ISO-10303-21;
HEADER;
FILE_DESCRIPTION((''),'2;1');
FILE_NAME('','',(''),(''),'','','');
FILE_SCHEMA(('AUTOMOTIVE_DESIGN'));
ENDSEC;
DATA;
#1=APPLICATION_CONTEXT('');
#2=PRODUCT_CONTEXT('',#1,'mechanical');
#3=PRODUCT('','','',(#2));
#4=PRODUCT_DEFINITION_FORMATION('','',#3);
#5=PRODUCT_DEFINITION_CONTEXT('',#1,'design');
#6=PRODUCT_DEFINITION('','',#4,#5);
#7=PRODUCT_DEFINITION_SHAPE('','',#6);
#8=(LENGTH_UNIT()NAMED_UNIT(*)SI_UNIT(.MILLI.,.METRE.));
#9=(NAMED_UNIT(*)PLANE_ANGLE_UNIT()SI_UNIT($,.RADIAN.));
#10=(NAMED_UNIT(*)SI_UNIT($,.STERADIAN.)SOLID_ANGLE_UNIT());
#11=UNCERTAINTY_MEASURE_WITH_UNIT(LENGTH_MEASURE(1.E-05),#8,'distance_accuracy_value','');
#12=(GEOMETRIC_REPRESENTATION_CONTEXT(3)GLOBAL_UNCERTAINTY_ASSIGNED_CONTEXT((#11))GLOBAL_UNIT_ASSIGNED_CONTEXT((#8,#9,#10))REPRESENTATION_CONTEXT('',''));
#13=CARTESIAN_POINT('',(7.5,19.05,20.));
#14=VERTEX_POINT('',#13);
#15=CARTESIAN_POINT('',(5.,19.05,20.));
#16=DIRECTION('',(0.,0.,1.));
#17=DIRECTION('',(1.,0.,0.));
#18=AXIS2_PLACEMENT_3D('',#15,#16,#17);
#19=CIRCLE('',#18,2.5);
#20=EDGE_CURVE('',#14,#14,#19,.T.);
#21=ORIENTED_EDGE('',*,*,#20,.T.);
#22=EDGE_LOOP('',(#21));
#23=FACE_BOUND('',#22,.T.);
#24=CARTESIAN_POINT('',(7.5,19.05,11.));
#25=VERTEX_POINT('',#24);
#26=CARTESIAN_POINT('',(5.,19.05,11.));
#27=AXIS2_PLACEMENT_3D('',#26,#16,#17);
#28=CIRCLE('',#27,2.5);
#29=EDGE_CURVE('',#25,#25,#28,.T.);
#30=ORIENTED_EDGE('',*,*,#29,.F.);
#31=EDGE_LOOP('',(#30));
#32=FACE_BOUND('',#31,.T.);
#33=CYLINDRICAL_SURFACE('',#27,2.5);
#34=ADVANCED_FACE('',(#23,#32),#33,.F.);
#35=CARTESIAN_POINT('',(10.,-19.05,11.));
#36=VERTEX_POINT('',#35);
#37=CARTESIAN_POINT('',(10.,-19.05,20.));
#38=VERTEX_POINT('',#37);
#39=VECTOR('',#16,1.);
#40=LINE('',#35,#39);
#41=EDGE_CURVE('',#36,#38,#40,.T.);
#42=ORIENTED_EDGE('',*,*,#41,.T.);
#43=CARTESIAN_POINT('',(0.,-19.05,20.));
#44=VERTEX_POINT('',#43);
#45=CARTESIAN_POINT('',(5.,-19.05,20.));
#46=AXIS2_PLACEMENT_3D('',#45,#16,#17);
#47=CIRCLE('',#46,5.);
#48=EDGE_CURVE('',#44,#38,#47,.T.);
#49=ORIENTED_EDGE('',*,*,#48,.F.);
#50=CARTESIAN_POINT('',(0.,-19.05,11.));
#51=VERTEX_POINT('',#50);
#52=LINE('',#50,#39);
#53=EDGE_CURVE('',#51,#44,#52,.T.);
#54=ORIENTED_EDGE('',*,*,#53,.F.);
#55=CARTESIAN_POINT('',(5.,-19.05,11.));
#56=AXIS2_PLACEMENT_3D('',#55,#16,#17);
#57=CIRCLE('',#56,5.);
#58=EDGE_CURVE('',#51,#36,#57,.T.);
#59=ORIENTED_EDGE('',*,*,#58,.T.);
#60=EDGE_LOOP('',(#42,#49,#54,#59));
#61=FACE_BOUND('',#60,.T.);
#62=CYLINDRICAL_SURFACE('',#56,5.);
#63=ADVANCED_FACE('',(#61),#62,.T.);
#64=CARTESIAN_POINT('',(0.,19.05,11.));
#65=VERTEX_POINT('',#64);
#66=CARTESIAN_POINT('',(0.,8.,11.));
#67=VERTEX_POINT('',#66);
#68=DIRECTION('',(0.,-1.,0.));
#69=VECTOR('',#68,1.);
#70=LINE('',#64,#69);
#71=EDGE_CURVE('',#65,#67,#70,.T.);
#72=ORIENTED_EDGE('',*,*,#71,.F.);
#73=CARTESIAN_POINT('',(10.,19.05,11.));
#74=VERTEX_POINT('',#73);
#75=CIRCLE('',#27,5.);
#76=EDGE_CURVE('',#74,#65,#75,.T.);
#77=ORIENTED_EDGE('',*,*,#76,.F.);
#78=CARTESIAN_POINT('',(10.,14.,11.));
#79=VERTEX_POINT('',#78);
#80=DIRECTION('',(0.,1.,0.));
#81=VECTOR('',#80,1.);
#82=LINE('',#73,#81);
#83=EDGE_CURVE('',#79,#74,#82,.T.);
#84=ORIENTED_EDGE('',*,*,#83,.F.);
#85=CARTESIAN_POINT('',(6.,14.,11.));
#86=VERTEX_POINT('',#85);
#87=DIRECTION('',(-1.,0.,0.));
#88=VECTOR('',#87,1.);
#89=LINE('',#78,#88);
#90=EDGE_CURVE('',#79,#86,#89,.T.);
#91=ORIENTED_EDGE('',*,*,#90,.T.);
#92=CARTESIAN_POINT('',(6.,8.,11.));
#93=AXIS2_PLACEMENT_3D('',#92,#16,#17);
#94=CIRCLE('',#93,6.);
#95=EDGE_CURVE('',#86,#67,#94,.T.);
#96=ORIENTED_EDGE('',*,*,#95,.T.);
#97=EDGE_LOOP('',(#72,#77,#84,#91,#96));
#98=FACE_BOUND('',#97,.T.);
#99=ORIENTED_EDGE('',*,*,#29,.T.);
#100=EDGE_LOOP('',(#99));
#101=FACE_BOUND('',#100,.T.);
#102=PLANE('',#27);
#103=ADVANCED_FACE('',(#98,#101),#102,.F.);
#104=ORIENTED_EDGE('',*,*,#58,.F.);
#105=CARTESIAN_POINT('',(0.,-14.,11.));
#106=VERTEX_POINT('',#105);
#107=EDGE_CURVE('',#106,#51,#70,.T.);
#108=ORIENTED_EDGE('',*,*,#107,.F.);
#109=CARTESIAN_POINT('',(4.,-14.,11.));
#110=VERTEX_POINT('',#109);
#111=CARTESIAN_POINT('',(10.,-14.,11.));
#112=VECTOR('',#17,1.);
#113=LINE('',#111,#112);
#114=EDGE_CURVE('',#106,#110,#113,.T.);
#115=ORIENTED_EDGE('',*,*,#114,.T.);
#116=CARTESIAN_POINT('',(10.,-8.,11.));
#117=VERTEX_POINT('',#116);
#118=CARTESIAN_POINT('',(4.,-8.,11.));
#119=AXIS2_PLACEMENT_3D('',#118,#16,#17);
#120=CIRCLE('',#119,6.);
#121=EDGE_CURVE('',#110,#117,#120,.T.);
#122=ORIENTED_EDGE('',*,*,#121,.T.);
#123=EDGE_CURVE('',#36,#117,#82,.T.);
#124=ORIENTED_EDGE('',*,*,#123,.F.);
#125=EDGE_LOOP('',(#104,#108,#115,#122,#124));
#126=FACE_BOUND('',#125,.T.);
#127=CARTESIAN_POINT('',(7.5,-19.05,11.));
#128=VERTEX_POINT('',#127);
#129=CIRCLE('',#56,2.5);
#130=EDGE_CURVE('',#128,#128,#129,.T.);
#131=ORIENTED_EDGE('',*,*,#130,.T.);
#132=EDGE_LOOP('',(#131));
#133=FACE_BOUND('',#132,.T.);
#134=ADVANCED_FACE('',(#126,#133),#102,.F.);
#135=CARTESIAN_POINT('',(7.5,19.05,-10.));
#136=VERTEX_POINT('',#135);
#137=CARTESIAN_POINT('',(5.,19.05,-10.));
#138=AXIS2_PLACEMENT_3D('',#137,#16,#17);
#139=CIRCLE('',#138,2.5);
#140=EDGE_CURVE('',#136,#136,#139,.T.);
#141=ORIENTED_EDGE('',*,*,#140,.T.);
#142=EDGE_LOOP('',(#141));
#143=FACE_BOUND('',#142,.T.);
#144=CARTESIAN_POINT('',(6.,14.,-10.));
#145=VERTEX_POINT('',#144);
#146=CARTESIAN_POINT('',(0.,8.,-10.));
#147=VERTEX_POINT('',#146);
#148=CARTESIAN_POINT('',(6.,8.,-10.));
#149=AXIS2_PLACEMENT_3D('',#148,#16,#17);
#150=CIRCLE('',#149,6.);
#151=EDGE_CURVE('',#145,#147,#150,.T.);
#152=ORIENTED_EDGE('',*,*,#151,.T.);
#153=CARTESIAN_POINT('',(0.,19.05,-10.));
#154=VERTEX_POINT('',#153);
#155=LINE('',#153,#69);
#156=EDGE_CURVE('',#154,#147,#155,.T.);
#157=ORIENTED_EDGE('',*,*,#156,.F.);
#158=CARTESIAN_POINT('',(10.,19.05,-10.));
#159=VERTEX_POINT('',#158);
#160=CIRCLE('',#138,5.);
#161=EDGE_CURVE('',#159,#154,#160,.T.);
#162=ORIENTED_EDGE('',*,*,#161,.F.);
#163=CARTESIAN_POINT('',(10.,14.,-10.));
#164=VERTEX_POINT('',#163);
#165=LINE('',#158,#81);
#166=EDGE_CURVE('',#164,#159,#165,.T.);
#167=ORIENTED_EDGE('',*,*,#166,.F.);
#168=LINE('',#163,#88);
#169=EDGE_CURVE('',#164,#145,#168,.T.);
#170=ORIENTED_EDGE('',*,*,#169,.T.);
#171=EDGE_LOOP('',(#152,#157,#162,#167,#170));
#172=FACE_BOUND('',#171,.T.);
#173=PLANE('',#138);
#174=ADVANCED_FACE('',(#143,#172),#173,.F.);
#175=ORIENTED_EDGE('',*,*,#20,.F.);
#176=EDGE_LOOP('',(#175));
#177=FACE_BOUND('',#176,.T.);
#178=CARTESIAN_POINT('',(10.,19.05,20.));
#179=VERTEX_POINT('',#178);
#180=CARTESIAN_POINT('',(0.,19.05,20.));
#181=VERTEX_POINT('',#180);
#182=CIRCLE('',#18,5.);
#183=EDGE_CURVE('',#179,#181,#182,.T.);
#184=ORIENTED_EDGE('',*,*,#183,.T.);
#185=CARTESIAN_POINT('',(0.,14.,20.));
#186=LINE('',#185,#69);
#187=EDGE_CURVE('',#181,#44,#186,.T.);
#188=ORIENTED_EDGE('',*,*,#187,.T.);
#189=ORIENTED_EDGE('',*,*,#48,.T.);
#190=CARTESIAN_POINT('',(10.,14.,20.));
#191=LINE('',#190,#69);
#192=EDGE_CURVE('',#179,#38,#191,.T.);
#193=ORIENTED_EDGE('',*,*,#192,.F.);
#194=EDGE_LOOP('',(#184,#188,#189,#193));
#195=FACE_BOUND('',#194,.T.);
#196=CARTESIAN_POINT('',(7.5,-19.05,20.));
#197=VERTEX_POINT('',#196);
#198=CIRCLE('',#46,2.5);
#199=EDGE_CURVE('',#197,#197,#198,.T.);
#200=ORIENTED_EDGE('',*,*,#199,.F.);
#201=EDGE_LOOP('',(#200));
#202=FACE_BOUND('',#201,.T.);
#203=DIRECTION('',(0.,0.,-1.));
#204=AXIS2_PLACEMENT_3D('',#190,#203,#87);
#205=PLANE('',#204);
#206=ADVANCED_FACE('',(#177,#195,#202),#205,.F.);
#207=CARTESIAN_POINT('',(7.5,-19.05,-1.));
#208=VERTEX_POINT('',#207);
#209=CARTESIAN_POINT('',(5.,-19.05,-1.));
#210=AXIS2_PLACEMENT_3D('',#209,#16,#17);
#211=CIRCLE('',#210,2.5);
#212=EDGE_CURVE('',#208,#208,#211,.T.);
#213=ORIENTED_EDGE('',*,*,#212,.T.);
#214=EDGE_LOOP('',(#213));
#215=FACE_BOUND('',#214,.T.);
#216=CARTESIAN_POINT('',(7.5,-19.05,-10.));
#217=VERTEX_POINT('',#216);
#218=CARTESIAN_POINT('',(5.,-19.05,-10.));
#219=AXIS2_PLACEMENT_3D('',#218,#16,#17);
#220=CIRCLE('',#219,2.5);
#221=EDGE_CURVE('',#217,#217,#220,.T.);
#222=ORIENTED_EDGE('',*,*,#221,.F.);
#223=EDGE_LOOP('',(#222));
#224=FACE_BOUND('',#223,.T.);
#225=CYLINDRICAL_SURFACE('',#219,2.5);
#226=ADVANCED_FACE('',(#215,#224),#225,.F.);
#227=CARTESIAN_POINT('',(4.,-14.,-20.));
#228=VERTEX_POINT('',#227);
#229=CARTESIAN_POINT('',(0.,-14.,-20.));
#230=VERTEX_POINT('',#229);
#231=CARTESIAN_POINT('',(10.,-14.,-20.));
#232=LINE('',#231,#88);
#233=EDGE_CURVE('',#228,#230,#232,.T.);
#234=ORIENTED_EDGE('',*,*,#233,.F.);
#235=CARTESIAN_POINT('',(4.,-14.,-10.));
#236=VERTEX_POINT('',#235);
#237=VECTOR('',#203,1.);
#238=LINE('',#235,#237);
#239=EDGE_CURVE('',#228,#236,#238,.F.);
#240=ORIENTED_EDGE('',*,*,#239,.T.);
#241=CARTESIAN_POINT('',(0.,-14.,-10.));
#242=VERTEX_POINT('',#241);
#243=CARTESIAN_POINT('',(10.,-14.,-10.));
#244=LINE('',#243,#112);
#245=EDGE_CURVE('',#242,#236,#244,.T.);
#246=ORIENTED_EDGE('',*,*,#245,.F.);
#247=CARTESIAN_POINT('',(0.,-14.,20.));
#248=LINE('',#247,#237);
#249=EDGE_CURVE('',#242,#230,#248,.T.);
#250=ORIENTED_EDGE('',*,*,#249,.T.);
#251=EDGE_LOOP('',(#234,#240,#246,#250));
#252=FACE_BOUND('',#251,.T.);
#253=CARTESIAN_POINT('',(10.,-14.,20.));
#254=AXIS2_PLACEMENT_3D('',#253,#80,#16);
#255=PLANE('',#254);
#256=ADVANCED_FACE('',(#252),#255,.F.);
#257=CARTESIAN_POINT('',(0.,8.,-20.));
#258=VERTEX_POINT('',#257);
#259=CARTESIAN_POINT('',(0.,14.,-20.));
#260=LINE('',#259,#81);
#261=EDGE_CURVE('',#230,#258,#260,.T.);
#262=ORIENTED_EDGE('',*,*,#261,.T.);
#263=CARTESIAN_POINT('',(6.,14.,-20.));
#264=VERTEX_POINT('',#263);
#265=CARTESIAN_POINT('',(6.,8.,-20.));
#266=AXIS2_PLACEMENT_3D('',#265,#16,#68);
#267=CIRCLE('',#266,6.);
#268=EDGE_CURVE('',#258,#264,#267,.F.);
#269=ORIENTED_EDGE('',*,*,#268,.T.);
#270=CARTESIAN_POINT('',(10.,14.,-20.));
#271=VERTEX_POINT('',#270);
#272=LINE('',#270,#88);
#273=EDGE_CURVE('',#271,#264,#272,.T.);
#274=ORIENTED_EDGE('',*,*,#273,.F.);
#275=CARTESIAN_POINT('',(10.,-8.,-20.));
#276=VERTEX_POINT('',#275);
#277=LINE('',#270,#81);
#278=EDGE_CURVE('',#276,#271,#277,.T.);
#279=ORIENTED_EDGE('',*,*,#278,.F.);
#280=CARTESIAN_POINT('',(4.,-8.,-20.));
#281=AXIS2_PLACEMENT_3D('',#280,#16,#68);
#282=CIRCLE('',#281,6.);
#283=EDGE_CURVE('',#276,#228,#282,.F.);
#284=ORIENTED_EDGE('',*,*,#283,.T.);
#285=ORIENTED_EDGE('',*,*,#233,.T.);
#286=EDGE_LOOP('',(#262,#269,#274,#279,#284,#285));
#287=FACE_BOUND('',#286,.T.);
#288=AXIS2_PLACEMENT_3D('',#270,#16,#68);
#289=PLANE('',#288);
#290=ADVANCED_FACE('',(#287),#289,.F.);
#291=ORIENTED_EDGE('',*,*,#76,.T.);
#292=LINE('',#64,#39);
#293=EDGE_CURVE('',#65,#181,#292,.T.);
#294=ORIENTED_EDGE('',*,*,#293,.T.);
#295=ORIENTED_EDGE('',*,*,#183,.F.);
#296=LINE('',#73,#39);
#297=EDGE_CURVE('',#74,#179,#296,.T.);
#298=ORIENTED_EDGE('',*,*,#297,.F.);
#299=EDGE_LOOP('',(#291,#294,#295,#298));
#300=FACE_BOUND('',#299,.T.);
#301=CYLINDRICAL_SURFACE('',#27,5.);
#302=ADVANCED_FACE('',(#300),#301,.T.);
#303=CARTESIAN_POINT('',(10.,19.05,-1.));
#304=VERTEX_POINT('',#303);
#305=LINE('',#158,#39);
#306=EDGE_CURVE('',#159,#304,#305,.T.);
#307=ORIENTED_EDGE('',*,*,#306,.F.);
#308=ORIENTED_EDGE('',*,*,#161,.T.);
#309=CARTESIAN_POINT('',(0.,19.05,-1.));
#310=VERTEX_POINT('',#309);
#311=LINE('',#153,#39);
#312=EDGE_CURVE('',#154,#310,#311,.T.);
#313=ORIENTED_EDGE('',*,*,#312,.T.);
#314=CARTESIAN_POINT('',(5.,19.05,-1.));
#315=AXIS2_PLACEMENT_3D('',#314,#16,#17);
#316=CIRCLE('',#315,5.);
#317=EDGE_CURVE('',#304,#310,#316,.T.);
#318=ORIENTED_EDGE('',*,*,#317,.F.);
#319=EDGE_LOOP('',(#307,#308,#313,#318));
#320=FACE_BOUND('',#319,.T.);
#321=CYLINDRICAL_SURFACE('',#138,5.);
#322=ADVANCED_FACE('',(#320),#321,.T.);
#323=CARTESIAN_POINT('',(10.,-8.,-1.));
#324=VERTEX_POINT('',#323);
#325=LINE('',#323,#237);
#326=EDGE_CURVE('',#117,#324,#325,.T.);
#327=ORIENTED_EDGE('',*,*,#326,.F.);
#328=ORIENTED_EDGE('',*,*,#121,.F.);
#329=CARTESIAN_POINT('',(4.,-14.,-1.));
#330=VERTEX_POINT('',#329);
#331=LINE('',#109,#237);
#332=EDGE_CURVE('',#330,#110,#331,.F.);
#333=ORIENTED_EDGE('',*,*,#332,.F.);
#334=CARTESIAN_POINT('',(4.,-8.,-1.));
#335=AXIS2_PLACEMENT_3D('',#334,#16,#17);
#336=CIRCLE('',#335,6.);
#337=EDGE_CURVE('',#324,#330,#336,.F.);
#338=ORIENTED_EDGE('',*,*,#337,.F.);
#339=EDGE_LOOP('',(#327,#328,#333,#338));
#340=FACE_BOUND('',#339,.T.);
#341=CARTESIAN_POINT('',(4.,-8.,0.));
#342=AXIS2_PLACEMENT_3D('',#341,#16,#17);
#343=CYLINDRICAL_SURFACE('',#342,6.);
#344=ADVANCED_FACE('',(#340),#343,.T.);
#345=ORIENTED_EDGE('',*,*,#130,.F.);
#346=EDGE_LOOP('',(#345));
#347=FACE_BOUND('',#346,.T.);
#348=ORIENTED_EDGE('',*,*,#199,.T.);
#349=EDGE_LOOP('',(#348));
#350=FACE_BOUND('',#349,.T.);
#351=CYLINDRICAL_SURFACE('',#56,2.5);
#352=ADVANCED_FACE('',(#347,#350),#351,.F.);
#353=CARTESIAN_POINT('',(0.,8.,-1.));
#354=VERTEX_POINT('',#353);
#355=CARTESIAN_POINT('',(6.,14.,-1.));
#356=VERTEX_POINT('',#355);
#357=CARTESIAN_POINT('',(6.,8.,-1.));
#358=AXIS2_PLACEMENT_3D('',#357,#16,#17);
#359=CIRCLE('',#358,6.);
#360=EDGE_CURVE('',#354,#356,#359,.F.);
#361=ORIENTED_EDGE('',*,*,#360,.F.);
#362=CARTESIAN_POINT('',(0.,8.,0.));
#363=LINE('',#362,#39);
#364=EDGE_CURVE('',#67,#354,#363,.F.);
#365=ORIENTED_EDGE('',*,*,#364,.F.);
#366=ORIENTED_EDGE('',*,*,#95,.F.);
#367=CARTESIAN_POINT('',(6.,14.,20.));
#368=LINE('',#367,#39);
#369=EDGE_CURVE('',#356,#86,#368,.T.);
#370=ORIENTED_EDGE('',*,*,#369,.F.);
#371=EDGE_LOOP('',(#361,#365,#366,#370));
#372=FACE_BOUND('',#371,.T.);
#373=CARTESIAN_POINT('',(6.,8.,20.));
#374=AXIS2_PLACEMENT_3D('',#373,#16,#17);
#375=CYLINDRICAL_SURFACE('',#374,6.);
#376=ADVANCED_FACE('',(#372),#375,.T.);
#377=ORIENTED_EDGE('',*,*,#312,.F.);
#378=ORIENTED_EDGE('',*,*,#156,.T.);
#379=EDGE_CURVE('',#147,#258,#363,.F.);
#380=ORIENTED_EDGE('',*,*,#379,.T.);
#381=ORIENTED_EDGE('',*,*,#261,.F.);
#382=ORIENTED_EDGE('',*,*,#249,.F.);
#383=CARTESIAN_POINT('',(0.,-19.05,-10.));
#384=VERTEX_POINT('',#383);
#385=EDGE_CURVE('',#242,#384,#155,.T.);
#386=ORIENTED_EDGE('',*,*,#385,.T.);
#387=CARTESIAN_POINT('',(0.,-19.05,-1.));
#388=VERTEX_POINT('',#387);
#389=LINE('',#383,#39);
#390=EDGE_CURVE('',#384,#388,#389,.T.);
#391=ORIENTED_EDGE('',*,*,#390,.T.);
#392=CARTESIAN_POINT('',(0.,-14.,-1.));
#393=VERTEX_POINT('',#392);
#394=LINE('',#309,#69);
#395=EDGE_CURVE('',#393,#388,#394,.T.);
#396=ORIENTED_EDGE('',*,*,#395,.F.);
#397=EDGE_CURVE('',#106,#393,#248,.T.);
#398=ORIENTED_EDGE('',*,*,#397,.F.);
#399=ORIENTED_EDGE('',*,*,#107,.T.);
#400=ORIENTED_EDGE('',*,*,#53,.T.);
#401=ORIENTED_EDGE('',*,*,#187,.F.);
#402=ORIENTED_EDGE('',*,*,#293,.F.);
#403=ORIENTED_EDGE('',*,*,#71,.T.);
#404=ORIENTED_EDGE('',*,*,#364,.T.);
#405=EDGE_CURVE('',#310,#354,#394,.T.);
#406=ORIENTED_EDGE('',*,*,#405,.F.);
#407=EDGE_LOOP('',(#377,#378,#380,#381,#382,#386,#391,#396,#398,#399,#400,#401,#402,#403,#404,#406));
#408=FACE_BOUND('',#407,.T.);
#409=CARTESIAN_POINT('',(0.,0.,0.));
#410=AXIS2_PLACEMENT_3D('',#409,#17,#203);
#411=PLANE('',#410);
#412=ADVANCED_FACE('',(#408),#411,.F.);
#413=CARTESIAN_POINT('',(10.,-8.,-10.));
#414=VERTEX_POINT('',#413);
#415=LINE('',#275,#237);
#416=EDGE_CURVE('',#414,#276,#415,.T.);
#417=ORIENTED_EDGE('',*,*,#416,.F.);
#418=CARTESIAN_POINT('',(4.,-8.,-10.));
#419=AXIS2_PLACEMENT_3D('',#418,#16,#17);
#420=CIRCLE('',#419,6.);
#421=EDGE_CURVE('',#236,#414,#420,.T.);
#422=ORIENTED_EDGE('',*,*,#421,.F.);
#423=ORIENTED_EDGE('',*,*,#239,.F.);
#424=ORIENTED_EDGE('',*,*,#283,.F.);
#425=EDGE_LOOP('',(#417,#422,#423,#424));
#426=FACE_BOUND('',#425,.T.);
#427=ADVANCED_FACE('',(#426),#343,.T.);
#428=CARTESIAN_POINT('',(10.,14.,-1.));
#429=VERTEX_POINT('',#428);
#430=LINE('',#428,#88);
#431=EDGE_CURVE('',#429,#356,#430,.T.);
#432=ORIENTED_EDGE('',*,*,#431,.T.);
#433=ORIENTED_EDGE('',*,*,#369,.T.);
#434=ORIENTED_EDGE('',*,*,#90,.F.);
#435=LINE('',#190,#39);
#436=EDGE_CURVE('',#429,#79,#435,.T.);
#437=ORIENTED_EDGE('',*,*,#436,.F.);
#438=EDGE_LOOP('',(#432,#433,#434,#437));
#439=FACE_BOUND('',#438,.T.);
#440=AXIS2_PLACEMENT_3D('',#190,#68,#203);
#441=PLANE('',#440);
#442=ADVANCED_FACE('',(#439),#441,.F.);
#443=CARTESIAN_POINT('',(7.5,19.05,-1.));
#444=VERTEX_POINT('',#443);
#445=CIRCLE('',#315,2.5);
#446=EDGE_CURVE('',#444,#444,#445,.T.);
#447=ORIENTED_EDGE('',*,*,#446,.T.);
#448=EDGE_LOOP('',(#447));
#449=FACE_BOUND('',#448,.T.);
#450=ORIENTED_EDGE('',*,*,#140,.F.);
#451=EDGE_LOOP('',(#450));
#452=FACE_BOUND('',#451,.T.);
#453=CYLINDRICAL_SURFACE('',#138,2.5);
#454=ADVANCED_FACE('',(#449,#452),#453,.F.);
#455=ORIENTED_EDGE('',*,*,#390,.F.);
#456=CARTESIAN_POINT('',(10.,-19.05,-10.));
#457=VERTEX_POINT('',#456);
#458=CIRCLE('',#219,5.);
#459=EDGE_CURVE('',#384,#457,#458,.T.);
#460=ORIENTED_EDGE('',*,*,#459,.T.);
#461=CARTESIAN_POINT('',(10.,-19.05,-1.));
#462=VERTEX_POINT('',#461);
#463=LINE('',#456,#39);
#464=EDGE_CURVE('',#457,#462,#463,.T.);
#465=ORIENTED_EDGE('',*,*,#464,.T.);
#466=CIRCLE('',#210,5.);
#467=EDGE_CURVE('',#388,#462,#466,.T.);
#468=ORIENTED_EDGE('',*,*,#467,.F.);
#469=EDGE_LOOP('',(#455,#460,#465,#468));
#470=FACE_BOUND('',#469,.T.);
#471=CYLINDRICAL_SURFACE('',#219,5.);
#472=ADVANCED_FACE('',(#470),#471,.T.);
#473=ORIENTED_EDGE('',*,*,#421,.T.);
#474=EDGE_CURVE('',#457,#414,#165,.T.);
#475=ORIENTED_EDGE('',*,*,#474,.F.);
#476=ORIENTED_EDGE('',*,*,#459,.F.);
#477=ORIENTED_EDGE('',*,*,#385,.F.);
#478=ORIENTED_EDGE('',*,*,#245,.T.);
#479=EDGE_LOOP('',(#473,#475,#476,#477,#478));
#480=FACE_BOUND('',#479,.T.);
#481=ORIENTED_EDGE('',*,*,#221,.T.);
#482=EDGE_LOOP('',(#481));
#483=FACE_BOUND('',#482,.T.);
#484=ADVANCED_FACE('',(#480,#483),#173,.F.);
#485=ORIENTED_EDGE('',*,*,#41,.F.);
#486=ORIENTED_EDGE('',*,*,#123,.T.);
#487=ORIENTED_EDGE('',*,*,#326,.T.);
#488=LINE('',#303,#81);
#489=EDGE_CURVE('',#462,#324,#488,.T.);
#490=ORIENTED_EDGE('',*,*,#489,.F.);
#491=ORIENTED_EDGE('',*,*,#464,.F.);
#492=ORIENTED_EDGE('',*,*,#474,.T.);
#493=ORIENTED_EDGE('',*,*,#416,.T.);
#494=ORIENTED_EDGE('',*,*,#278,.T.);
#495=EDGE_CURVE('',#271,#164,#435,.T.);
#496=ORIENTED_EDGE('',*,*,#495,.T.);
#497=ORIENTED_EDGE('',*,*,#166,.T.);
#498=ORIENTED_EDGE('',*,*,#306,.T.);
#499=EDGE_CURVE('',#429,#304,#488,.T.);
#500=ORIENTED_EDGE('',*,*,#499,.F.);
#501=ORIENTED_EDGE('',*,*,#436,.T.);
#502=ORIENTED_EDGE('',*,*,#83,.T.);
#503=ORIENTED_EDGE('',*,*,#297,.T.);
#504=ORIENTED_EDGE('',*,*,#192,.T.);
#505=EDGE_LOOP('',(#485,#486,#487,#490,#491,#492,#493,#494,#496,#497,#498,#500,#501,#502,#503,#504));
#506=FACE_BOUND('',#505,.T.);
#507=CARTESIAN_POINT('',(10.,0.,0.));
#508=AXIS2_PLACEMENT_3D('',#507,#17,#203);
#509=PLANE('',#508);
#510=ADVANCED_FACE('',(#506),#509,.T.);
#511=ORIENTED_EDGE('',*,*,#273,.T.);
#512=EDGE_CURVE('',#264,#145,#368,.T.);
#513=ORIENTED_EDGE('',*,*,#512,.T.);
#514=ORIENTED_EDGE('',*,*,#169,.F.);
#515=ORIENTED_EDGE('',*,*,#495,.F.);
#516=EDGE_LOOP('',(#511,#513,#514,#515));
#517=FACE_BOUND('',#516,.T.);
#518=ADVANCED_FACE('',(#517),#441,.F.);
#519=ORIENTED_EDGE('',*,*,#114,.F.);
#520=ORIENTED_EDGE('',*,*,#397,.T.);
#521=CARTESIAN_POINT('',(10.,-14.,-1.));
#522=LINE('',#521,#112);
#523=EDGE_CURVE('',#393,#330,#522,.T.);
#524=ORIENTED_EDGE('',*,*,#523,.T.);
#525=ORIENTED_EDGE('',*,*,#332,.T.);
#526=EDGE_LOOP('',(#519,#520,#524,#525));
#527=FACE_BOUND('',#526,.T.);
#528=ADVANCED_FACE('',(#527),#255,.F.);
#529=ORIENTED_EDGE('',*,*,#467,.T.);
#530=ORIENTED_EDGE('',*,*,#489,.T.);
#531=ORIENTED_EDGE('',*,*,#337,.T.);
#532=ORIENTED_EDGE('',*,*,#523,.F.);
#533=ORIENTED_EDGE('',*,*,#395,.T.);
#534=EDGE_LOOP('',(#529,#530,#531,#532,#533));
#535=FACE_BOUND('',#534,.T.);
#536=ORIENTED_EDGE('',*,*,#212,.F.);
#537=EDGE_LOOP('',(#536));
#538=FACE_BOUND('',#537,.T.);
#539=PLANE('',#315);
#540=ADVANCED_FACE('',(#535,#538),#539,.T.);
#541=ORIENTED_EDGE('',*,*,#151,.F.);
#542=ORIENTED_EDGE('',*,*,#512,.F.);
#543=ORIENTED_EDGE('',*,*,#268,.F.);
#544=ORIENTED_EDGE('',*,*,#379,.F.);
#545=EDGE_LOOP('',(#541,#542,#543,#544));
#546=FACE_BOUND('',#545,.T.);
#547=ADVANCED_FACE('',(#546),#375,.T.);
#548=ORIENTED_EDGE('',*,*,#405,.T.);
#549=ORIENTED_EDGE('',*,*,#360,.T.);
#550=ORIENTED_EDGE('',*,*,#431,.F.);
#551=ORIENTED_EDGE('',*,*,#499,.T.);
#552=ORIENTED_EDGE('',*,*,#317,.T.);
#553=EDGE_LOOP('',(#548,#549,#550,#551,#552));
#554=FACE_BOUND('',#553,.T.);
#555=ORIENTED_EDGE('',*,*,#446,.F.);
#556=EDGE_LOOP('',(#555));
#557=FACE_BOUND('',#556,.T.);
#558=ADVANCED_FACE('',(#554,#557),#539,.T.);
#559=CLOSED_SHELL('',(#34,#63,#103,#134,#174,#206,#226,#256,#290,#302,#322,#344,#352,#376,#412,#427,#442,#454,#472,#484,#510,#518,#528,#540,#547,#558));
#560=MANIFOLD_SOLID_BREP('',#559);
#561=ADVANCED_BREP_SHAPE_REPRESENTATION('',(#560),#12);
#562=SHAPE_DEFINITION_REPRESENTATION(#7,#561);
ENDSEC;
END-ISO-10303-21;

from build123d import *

# Parameters (mm, degrees)
SKETCH1_W           = 40
SKETCH1_H           = 28
BOSS_EXTRUDE1_DEPTH = 10
SKETCH2_R           = 2.5
BOSS_EXTRUDE2_DEPTH = 9
LPATTERN1_COUNT     = 2
LPATTERN1_PITCH     = 21
FILLET1_R           = 6


with BuildPart() as part:
    # Sketch1 → Boss-Extrude1 (new body)
    with BuildSketch(Plane(origin=(0, 0, 0), x_dir=(0, 0, -1), z_dir=(1, 0, 0))):
        Rectangle(SKETCH1_W, SKETCH1_H)
    extrude(amount=BOSS_EXTRUDE1_DEPTH)

    # Sketch2 → Boss-Extrude2 (add)
    with BuildSketch(Plane.XY.offset(20)):
        with BuildLine():
            Line((10, 19.05), (10, -19.05))
            ThreePointArc((10, -19.05), (5, -24.05), (0, -19.05))
            Line((0, -19.05), (0, 19.05))
            ThreePointArc((0, 19.05), (5, 24.05), (10, 19.05))
        make_face()
        with Locations((5, 19.05)):
            Circle(SKETCH2_R, mode=Mode.SUBTRACT)
        with Locations((5, -19.05)):
            Circle(SKETCH2_R, mode=Mode.SUBTRACT)
    boss_extrude2 = extrude(amount=-BOSS_EXTRUDE2_DEPTH)

    # LPattern1: Boss-Extrude2 ×2
    with Locations(*[(0, 0, -i * LPATTERN1_PITCH) for i in range(1, LPATTERN1_COUNT)]):
        add(boss_extrude2)

    # Fillet1
    fillet1_edges = [part.edges().sort_by_distance(p)[0] for p in [
        (10, -14, 5),
        (0, 14, 5),
        (10, -14, -15),
        (0, 14, -15),
    ]]
    fillet(fillet1_edges, radius=FILLET1_R)


solid = part.part
